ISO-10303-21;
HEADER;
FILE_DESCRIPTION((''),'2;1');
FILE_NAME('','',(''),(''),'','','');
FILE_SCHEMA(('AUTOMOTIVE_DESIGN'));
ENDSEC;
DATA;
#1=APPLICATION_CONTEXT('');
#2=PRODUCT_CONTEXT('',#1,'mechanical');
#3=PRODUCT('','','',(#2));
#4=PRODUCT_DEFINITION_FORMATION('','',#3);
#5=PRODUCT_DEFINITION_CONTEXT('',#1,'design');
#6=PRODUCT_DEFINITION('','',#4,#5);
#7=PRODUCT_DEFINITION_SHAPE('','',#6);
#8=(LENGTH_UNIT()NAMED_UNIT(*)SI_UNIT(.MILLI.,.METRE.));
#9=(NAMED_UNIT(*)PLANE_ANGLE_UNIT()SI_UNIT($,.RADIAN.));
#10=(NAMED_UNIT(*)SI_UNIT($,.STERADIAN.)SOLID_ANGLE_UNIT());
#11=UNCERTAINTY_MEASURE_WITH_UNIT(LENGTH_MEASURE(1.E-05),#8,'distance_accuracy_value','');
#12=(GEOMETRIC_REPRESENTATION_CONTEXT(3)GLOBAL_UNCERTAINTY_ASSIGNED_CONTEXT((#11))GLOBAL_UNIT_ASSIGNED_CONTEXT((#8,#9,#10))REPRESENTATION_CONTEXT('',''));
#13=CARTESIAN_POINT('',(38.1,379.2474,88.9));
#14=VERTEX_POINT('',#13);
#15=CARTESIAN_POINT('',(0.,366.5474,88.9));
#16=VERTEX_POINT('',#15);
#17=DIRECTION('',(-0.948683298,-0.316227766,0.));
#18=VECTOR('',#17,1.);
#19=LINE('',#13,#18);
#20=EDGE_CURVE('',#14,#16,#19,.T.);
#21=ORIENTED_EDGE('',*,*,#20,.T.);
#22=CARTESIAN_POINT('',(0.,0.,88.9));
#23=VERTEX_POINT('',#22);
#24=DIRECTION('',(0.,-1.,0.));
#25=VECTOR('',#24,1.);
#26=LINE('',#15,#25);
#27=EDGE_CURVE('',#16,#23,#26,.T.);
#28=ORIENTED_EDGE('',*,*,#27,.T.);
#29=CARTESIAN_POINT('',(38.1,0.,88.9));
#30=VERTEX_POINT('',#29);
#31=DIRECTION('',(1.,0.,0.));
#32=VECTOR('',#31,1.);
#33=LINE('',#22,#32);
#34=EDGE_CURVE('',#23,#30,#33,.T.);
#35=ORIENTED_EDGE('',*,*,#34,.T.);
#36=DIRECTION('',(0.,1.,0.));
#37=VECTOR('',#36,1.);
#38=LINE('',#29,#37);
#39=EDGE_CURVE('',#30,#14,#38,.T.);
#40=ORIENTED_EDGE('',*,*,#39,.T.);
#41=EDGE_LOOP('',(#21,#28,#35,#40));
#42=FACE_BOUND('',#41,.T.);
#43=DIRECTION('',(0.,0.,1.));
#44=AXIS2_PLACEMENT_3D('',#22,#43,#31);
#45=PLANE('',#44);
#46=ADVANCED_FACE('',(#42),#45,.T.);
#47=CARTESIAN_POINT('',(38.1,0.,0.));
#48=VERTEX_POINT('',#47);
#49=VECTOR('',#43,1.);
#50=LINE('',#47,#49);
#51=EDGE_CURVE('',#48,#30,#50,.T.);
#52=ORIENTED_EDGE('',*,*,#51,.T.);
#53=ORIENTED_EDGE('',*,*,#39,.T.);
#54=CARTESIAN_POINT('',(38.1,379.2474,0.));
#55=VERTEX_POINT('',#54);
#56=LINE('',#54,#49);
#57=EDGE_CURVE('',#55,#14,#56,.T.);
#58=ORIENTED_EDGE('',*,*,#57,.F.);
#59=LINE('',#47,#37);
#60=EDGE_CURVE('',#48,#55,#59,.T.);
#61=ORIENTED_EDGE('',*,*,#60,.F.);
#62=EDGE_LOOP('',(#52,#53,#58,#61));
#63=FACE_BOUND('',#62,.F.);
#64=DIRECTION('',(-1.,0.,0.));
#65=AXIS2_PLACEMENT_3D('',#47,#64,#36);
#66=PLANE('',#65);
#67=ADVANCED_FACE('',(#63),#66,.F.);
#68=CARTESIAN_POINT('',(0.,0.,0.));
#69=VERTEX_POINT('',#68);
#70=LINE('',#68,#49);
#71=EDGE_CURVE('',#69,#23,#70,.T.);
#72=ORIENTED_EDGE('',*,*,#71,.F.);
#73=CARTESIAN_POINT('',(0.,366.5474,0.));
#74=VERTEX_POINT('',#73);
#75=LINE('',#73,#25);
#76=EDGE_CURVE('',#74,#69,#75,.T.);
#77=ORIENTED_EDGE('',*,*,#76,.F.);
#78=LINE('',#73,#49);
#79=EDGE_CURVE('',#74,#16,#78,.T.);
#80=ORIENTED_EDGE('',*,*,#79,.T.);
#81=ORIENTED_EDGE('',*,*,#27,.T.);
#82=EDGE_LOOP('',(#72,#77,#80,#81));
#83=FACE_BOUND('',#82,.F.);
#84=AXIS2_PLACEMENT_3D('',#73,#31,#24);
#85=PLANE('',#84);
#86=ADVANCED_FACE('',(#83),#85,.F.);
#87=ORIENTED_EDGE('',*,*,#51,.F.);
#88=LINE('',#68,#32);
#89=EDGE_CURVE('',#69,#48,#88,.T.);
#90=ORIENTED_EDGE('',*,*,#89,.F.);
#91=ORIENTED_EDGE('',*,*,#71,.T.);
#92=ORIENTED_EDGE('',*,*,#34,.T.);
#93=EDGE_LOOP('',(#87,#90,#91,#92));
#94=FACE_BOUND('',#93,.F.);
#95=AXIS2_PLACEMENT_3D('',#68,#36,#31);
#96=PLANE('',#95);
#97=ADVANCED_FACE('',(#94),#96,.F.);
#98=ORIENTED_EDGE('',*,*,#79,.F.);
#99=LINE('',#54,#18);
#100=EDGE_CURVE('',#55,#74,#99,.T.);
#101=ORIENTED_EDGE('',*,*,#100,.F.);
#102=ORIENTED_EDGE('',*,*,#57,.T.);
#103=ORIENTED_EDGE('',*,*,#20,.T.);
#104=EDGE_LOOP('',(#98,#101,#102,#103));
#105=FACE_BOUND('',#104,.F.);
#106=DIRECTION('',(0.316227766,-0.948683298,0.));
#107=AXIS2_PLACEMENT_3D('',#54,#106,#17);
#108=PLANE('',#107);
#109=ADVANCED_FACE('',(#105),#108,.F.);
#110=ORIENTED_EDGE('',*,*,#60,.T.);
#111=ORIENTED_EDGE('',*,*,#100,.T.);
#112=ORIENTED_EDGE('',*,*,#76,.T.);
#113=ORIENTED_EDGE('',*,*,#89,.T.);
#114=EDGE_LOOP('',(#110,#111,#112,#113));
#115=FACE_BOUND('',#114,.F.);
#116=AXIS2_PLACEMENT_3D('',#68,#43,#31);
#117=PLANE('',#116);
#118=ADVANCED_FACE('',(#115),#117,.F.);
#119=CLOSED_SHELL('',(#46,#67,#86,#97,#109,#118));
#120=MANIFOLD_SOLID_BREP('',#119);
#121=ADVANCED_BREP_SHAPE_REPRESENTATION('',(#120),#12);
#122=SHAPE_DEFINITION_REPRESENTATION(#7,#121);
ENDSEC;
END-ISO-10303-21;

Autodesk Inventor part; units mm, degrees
ref_plane "YZ Plane" through (0, 0, 0) normal (1, 0, 0) x (0, 1, 0)
ref_plane "XZ Plane" through (0, 0, 0) normal (0, 1, 0) x (-1, 0, 0)
ref_plane "XY Plane" through (0, 0, 0) normal (0, 0, 1) x (1, 0, 0)
sketch "Sketch1" plane through (0, 0, 0) normal (0, 0, 1) x (1, 0, 0)
  line L0 (0, 0) -> (38.1, 0)
  line L1 (38.1, 0) -> (38.1, 379.2474)
  line L2 (38.1, 379.2474) -> (0, 366.5474)
  line L3 (0, 366.5474) -> (0, 0)
  dimension "d2" = 38.1
  dimension "d5" = 366.5474
  dimension "d6" = 379.2474
extrude "Extrusion1" add sketch "Sketch1" along normal blind 88.9
properties part number "Stud_Between_Top_Plate_And_Rafter_3" material "Wood (Birch)"
